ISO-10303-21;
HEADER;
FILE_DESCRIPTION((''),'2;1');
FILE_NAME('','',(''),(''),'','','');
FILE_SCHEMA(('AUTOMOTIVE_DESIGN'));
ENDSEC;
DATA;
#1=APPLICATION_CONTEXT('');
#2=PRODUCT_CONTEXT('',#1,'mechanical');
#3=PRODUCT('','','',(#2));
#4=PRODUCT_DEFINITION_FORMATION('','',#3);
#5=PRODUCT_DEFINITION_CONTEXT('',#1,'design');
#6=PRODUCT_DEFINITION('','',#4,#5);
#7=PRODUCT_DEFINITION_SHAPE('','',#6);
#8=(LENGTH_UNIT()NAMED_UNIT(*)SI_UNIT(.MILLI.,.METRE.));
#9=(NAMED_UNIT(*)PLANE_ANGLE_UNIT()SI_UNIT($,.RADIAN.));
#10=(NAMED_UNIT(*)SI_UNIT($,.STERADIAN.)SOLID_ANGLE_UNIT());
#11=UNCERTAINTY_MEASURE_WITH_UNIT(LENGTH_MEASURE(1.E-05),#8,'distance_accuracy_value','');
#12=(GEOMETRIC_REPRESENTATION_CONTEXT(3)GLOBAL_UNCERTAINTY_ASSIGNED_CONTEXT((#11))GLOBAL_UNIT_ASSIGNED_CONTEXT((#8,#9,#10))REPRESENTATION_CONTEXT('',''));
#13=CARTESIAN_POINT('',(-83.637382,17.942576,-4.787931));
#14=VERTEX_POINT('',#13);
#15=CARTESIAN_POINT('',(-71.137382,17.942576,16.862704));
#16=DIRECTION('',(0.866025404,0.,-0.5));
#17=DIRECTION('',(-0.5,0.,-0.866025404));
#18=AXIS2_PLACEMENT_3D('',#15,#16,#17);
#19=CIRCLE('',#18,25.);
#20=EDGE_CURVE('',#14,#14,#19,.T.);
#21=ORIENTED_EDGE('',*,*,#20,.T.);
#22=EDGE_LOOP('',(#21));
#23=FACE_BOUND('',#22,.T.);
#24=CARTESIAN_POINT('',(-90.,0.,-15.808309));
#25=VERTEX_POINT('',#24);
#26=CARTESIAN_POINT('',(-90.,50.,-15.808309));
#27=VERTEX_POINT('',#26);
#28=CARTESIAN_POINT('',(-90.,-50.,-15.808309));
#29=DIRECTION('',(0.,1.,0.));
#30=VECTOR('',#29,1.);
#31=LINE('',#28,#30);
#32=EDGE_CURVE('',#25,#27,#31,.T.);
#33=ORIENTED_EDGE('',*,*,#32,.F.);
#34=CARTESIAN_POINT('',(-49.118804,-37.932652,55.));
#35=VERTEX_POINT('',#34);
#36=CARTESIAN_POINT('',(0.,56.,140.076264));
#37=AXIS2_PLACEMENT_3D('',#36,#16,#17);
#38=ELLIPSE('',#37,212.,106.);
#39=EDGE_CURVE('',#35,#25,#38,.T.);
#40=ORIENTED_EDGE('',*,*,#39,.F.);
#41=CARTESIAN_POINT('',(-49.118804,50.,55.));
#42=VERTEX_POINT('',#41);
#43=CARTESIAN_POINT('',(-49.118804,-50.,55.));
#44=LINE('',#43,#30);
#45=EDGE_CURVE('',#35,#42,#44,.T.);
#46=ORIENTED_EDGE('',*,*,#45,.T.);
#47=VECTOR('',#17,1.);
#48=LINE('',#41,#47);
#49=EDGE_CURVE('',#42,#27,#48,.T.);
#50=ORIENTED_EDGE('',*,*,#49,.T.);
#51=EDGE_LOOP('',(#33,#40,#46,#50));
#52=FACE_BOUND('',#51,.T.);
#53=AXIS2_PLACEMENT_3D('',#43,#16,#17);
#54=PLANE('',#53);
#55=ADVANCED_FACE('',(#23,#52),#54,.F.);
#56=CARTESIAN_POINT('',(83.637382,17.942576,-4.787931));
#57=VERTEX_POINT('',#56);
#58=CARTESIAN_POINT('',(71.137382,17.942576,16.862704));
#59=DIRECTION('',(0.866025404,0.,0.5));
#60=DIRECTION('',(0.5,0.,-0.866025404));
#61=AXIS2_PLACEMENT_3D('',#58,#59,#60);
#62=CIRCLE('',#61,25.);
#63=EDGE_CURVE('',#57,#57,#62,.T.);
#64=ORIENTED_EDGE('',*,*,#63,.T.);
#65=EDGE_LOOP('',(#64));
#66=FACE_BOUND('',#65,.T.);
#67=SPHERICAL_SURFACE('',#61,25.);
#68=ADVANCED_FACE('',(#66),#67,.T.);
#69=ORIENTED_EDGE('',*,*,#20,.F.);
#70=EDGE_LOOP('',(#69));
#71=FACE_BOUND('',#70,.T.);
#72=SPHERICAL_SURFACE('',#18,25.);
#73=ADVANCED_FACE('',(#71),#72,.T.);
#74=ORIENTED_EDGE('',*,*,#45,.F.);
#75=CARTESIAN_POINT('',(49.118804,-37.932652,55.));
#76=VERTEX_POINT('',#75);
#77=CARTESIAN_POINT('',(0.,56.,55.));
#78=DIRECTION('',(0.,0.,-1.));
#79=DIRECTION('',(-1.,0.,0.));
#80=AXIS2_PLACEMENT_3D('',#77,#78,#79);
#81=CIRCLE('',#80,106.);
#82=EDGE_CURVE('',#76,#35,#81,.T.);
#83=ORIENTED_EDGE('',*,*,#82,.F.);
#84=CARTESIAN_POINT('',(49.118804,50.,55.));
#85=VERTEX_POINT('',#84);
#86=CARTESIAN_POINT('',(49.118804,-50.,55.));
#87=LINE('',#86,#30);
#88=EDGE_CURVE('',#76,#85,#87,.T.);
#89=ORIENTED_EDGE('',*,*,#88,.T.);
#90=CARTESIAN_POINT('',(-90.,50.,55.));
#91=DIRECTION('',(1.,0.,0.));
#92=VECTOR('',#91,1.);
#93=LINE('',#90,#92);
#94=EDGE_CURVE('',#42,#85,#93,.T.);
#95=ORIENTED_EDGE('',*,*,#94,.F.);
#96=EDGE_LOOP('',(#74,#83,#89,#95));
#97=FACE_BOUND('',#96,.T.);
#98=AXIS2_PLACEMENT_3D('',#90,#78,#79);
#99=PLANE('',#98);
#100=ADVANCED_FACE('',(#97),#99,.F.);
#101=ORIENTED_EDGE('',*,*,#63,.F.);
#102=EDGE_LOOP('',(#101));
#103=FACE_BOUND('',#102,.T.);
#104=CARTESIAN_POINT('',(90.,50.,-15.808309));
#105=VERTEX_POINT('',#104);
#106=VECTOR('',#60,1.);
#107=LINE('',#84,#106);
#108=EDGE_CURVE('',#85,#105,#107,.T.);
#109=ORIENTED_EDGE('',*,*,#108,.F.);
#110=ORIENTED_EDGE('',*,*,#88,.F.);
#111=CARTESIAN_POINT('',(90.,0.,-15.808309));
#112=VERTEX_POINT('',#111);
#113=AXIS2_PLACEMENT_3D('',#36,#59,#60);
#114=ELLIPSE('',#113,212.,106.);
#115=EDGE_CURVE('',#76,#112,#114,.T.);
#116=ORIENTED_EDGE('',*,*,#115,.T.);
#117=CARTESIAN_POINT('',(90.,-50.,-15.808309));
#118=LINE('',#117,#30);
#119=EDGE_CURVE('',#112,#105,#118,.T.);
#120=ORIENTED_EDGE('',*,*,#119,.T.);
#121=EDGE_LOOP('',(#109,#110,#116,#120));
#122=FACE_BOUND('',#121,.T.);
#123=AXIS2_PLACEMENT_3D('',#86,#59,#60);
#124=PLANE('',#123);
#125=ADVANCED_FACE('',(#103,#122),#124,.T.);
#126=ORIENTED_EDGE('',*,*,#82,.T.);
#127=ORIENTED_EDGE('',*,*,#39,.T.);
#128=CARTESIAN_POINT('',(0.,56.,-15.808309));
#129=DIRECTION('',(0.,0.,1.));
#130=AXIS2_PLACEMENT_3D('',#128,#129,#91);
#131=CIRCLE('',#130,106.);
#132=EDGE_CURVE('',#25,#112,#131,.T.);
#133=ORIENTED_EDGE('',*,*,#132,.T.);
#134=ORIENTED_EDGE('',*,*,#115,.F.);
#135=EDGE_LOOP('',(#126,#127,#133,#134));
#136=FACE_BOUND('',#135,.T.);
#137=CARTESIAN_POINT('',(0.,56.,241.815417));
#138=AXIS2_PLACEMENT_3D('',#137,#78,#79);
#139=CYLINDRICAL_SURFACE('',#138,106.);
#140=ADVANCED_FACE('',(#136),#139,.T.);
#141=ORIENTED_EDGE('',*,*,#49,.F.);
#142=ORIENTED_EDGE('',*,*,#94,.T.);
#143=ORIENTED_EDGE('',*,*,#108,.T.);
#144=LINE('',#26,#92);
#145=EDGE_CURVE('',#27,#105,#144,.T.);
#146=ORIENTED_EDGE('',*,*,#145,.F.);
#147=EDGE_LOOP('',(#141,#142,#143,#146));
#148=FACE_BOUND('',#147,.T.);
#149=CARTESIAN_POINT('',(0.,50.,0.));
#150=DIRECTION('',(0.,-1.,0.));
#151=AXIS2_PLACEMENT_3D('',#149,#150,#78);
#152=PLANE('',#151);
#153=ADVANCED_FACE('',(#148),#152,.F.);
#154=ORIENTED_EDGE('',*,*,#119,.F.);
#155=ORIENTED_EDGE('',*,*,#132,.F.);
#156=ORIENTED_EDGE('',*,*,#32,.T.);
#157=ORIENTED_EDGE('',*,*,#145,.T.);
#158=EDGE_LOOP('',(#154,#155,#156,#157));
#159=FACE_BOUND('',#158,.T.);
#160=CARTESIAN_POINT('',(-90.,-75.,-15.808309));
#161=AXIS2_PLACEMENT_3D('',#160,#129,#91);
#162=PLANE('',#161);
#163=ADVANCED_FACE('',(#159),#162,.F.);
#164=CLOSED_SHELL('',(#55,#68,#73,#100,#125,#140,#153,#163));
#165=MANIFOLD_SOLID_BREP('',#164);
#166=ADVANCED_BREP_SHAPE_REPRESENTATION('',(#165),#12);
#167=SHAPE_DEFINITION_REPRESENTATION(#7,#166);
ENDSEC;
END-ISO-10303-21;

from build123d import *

# Parameters (mm, degrees)
SKETCH1_W                = 180
SKETCH1_H                = 110
BOSS_EXTRUDE1_DEPTH      = 50
BOSS_EXTRUDE2_DEPTH      = 110
CUT_EXTRUDE1_DEPTH       = 146.344418537
BOSS_EXTRUDE5_DEPTH      = 10
BOSS_EXTRUDE5_DEPTH_BACK = 10
SKETCH5_R                = 5
SKETCH6_W                = 180.23839675
SKETCH6_H                = 55.735834074
CUT_EXTRUDE2_DEPTH       = 125


with BuildPart() as part:
    # Sketch1 → Boss-Extrude1 (new body)
    with BuildSketch(Plane(origin=(0, 0, 0), x_dir=(1, 0, 0), z_dir=(0, 1, 0))):
        Rectangle(SKETCH1_W, SKETCH1_H)
    extrude(amount=BOSS_EXTRUDE1_DEPTH)

    # Sketch2 → Boss-Extrude2 (add)
    with BuildSketch(Plane(origin=(-35, 0, -55), x_dir=(1, 0, 0), z_dir=(0, 0, 1))):
        with BuildLine():
            Line((-55, 0), (125, 0))
            ThreePointArc((125, 0), (35, -50), (-55, 0))
        make_face()
    extrude(amount=BOSS_EXTRUDE2_DEPTH)

    # Sketch3 → Cut-Extrude1 (cut, through all)
    with BuildSketch(Plane(origin=(0, 50, 0), x_dir=(1, 0, 0), z_dir=(0, 1, 0))):
        Polygon((-49.118803686, -55), (-90, 15.808309091), (-90, -55), align=None)
    cut_extrude1 = extrude(amount=-CUT_EXTRUDE1_DEPTH, mode=Mode.SUBTRACT)

    # Mirror1: Cut-Extrude1 across plane
    add(cut_extrude1.mirror(Plane(origin=(0, 0, 0), x_dir=(0, 0, 1), z_dir=(1, 0, 0))), mode=Mode.SUBTRACT)

    # Sketch5 → Boss-Extrude5 (add, two sides: drawn at the far end of the back side and taken through both)
    with BuildSketch(Plane(origin=(0, 0, -55), x_dir=(-1, 0, 0), z_dir=(0, 0, -1)).offset(-BOSS_EXTRUDE5_DEPTH_BACK)):
        Circle(SKETCH5_R)
    extrude(amount=BOSS_EXTRUDE5_DEPTH + BOSS_EXTRUDE5_DEPTH_BACK)

    # Sketch4 → Revolve1 (revolve)
    with BuildSketch(Plane(origin=(-60.654801368, 0, 35.019065898), x_dir=(0.49999999999999495, 0, 0.8660254037844417), z_dir=(-0.8660254037844417, 0, 0.49999999999999495))):
        with BuildLine():
            ThreePointArc((-20.965161058, 42.942576489), (4.034838942, 17.942576489), (-20.965161058, -7.057423511))
            Line((-20.965161058, -7.057423511), (-20.965161058, 42.942576489))
        make_face()
    revolve1 = revolve(axis=Axis((-71.137381897, 42.942576489, 16.862703827), (0, -1, 0)))

    # Mirror2: Revolve1 across plane
    add(revolve1.mirror(Plane(origin=(0, 0, 0), x_dir=(0, 0, 1), z_dir=(1, 0, 0))))

    # Sketch6 → Cut-Extrude2 (cut)
    with BuildSketch(Plane(origin=(0, 50, 0), x_dir=(1, 0, 0), z_dir=(0, 1, 0))):
        with Locations((0.119198375, 43.676226128)):
            Rectangle(SKETCH6_W, SKETCH6_H)
    extrude(amount=-CUT_EXTRUDE2_DEPTH, mode=Mode.SUBTRACT)


solid = part.part
